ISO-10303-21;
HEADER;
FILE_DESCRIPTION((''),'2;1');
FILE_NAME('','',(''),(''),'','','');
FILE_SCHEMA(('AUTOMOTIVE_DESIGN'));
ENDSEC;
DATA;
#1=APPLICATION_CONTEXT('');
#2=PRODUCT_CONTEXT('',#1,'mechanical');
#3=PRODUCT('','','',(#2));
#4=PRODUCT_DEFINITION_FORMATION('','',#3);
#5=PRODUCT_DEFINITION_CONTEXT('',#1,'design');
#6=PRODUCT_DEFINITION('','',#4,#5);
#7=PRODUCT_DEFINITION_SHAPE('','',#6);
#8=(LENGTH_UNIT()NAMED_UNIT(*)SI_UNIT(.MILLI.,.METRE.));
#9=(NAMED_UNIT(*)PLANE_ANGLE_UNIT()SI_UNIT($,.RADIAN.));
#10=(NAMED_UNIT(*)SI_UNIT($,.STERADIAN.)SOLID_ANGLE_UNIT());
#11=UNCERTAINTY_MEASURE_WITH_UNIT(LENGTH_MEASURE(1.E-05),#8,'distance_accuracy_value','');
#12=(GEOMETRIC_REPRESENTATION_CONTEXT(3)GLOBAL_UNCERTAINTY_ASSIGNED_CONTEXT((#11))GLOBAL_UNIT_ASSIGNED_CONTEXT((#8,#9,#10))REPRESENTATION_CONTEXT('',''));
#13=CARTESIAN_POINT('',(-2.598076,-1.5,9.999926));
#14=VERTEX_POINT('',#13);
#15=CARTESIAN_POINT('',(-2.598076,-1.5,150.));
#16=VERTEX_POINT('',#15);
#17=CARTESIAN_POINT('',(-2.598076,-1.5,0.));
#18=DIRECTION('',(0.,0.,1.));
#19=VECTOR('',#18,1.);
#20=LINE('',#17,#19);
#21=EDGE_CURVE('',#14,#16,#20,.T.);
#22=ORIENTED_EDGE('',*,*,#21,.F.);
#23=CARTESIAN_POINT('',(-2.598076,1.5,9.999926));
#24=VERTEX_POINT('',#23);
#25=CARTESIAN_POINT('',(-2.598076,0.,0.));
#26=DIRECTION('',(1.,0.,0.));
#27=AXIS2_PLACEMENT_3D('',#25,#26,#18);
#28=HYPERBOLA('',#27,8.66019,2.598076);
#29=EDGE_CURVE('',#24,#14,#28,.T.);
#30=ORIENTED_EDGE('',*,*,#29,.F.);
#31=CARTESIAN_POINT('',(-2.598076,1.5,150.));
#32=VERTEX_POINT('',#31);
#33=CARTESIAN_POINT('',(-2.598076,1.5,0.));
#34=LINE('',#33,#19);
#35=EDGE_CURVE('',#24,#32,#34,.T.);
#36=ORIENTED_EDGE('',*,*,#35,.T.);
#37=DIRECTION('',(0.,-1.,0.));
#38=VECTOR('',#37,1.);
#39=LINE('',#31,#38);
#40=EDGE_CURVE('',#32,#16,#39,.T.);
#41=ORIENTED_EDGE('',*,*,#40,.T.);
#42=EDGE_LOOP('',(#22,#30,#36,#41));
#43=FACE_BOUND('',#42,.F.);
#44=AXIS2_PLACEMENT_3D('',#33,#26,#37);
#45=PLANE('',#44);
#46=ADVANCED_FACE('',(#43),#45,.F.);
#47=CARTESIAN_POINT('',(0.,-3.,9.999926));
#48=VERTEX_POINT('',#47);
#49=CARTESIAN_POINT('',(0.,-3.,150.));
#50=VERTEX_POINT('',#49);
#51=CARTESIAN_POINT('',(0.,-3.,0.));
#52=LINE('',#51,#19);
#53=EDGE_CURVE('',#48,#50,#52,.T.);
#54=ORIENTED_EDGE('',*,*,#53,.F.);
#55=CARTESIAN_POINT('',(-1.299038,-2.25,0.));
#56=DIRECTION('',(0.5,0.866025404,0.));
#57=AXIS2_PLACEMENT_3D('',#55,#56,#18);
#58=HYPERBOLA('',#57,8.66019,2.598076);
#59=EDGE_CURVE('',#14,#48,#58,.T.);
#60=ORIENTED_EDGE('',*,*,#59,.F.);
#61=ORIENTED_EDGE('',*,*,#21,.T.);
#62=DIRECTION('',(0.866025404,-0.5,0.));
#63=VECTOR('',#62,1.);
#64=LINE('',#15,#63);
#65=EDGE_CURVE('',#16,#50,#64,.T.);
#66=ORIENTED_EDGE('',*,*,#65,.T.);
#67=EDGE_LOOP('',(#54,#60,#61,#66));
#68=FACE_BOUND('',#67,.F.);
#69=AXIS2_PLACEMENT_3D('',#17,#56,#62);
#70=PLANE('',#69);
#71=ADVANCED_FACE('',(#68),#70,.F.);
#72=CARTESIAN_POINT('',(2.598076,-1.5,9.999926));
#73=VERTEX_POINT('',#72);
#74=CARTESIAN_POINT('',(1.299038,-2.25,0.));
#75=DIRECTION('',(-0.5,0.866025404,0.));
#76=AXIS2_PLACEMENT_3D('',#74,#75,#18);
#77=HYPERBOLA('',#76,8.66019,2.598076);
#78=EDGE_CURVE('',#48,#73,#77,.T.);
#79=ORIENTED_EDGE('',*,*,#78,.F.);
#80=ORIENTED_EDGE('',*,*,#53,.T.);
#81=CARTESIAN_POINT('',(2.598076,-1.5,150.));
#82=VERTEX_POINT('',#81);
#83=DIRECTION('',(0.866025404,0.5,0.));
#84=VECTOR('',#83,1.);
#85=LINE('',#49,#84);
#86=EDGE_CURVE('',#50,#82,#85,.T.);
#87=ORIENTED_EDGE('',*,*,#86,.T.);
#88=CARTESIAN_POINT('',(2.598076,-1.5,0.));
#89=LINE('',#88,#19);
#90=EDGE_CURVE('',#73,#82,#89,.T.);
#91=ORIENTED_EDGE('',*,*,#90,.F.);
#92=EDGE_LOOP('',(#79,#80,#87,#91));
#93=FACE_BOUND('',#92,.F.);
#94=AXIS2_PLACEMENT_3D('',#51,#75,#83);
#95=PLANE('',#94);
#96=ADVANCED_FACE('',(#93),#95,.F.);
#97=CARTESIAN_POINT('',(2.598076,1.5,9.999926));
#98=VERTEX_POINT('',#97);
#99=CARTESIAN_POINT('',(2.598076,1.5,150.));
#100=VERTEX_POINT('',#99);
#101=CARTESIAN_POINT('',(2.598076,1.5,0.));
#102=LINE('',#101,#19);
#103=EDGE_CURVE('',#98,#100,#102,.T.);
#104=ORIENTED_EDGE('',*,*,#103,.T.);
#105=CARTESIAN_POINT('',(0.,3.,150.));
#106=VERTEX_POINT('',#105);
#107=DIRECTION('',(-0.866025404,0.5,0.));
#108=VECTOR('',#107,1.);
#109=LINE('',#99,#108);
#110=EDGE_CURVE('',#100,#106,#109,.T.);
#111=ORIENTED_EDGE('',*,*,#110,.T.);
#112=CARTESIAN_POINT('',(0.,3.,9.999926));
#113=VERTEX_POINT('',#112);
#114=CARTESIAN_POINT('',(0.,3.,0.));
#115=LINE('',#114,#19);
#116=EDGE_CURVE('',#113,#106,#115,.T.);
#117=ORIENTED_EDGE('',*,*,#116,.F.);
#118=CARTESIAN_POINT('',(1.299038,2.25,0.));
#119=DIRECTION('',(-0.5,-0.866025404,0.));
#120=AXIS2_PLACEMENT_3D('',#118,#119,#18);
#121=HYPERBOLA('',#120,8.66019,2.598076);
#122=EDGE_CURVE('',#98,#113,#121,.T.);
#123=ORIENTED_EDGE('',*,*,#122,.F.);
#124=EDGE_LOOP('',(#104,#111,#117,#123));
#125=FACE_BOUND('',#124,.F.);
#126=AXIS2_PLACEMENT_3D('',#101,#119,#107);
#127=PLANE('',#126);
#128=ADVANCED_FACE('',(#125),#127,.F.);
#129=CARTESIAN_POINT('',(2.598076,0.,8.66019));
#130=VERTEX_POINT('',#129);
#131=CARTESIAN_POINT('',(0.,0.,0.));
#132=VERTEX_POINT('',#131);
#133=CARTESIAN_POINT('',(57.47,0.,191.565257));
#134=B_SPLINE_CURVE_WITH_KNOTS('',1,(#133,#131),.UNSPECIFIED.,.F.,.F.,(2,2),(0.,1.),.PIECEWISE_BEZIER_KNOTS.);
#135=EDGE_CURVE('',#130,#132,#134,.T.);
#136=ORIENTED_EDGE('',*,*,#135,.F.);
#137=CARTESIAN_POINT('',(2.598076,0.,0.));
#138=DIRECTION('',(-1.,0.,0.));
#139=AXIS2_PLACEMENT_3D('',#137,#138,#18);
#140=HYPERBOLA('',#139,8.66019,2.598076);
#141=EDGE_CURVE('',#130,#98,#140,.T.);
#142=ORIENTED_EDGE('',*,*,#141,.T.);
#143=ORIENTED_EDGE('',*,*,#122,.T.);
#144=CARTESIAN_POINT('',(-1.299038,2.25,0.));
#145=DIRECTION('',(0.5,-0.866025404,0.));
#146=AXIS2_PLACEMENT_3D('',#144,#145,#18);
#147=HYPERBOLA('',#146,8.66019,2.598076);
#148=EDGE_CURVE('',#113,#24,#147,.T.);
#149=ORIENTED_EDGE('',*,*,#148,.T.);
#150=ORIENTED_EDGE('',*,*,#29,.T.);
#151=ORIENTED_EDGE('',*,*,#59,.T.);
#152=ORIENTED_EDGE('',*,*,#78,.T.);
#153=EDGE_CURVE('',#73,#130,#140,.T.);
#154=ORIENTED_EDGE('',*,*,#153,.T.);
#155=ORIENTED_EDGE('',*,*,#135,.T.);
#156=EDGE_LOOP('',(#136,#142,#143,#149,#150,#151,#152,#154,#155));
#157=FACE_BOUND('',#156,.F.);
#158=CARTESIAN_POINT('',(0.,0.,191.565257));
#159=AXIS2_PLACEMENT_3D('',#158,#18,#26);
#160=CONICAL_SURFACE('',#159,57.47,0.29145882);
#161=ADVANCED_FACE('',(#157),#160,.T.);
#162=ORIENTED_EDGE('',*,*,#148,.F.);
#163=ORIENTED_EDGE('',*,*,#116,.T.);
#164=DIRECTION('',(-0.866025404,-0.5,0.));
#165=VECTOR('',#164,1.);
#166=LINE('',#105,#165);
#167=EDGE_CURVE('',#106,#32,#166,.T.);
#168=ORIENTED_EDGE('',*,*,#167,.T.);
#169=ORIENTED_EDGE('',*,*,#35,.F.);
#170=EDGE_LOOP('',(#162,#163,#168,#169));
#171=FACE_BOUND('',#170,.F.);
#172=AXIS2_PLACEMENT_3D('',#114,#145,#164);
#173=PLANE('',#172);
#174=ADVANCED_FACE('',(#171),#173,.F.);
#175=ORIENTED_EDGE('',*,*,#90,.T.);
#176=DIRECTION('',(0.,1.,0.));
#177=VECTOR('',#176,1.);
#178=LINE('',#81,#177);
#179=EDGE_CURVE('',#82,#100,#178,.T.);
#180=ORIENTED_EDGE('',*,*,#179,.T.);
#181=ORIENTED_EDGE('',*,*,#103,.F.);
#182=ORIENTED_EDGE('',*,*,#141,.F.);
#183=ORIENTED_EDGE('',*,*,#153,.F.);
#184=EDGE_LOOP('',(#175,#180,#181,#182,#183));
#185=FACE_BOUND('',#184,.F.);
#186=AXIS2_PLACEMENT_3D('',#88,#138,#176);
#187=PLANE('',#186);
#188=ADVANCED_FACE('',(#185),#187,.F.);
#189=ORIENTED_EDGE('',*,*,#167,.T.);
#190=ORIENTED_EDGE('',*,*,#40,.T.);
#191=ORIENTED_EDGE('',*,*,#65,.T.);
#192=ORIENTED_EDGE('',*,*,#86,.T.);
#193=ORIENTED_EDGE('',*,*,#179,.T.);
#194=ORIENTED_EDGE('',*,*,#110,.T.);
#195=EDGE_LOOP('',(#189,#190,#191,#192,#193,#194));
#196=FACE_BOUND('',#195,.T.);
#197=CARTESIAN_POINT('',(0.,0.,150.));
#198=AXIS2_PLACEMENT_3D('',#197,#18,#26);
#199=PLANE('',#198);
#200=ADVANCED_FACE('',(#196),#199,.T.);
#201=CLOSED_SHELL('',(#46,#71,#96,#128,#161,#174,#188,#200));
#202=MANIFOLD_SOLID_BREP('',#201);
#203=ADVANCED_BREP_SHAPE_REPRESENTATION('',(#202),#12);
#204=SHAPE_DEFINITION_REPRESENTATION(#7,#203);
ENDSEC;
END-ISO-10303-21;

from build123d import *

# Parameters (mm, degrees)
F1_DEPTH = 150
F7_R     = 57.47


with BuildPart() as f1:
    # F0 (on Top) → F1 (new body)
    with BuildSketch(Plane.XY):
        Polygon((2.5980762114, 1.5), (0, 3), (-2.5980762114, 1.5), (-2.5980762114, -1.5), (0, -3), (2.5980762114, -1.5), align=None)
    extrude(amount=F1_DEPTH)

    # F7 (on line) → F8 section 0
    with BuildSketch(Plane.XY.offset(191.5652570442), mode=Mode.PRIVATE) as f8_s0:
        Circle(F7_R)
    loft([f8_s0.sketch, Vertex(0, 0, 0)], mode=Mode.INTERSECT)


solid = f1.part
